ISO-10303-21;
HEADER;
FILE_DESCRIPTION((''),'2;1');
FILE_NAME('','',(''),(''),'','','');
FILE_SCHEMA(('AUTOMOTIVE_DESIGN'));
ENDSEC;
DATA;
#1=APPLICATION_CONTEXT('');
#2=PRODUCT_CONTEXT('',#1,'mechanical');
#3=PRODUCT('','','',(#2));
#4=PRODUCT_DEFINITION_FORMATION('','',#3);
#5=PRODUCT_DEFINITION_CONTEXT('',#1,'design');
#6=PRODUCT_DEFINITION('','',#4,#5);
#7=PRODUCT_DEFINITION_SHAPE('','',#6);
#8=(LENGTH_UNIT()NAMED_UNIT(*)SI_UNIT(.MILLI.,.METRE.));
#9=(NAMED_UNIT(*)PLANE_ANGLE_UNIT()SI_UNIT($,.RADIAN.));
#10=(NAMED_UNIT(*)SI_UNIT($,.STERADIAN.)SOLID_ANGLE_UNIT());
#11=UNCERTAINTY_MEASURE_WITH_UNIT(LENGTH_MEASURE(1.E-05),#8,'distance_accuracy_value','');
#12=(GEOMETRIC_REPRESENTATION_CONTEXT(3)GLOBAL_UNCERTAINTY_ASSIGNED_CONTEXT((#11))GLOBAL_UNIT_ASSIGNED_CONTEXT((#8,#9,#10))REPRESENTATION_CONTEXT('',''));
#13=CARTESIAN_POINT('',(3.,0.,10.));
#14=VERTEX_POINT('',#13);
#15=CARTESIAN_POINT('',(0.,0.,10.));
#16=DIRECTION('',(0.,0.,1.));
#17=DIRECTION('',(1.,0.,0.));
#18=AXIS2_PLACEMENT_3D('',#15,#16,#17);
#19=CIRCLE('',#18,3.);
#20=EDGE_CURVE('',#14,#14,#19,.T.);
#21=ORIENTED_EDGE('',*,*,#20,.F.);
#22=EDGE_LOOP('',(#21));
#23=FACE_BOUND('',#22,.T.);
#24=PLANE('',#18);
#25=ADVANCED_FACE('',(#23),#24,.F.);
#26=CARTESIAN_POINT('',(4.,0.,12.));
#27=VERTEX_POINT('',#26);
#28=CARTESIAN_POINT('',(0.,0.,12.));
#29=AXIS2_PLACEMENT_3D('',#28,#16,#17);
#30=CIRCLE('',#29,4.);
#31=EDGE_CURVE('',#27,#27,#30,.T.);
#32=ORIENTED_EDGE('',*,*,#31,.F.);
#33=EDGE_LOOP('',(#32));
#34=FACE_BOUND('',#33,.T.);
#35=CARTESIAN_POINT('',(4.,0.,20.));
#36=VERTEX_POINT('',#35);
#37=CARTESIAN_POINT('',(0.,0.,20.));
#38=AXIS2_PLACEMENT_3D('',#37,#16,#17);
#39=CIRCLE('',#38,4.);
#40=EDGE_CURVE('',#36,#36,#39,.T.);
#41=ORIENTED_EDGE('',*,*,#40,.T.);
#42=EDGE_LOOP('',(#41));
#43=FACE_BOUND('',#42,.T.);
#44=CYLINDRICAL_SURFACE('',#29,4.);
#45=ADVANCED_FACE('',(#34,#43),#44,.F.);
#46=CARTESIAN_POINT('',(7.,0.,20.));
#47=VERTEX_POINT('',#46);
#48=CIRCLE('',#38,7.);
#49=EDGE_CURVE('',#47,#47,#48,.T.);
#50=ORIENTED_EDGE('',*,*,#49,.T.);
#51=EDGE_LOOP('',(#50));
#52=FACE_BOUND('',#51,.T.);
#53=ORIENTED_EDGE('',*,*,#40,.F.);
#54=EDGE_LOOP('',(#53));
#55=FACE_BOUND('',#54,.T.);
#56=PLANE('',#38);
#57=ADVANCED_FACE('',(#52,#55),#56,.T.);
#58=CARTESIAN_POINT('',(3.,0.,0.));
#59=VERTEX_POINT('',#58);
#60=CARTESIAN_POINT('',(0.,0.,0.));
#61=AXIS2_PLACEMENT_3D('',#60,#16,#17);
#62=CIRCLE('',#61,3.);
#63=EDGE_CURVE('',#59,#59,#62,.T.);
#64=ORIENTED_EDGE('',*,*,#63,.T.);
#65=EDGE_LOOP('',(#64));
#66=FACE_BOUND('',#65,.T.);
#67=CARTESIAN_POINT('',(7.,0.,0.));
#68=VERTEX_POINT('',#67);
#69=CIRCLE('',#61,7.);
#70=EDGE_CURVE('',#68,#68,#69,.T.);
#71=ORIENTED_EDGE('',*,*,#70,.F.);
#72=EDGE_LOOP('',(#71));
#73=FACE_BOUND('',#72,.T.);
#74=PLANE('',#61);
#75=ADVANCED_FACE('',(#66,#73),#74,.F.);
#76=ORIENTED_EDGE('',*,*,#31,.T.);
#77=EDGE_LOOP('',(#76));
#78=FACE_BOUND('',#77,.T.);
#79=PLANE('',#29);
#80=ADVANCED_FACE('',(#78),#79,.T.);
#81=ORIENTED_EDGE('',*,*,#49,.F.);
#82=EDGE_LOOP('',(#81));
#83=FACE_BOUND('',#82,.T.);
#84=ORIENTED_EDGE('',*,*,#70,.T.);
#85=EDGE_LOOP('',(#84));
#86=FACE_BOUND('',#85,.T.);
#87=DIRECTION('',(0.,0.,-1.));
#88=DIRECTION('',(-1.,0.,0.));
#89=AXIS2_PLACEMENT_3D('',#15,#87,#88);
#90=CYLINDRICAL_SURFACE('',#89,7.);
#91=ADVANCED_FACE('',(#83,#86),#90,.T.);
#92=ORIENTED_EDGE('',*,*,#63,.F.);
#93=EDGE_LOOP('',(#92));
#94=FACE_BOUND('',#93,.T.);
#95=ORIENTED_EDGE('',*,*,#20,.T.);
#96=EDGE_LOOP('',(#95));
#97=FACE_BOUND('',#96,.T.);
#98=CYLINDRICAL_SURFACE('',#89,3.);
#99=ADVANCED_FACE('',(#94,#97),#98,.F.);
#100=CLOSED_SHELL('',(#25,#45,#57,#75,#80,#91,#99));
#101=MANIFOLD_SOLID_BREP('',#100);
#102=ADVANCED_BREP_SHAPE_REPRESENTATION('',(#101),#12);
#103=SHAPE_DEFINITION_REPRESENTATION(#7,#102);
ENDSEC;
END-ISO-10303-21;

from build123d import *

# Parameters (mm, degrees)
SKETCH_1_R          = 7
SKETCH_1_R_2        = 3
EXTRUDE_1_DEPTH     = 10
SKETCH_2_R          = 7
EXTRUDE_2_DEPTH     = 10
SKETCH_3_R          = 4
CUT_EXTRUDE_1_DEPTH = 8


with BuildPart() as part:
    # 草图1 → 凸台-拉伸1 (new body)
    with BuildSketch(Plane.XY):
        Circle(SKETCH_1_R)
        Circle(SKETCH_1_R_2, mode=Mode.SUBTRACT)
    extrude(amount=EXTRUDE_1_DEPTH)

    # 草图2 → 凸台-拉伸2 (add)
    with BuildSketch(Plane.XY.offset(10)):
        Circle(SKETCH_2_R)
    extrude(amount=EXTRUDE_2_DEPTH)

    # 草图3 → 切除-拉伸1 (cut)
    with BuildSketch(Plane.XY.offset(20)):
        Circle(SKETCH_3_R)
    extrude(amount=-CUT_EXTRUDE_1_DEPTH, mode=Mode.SUBTRACT)


solid = part.part
